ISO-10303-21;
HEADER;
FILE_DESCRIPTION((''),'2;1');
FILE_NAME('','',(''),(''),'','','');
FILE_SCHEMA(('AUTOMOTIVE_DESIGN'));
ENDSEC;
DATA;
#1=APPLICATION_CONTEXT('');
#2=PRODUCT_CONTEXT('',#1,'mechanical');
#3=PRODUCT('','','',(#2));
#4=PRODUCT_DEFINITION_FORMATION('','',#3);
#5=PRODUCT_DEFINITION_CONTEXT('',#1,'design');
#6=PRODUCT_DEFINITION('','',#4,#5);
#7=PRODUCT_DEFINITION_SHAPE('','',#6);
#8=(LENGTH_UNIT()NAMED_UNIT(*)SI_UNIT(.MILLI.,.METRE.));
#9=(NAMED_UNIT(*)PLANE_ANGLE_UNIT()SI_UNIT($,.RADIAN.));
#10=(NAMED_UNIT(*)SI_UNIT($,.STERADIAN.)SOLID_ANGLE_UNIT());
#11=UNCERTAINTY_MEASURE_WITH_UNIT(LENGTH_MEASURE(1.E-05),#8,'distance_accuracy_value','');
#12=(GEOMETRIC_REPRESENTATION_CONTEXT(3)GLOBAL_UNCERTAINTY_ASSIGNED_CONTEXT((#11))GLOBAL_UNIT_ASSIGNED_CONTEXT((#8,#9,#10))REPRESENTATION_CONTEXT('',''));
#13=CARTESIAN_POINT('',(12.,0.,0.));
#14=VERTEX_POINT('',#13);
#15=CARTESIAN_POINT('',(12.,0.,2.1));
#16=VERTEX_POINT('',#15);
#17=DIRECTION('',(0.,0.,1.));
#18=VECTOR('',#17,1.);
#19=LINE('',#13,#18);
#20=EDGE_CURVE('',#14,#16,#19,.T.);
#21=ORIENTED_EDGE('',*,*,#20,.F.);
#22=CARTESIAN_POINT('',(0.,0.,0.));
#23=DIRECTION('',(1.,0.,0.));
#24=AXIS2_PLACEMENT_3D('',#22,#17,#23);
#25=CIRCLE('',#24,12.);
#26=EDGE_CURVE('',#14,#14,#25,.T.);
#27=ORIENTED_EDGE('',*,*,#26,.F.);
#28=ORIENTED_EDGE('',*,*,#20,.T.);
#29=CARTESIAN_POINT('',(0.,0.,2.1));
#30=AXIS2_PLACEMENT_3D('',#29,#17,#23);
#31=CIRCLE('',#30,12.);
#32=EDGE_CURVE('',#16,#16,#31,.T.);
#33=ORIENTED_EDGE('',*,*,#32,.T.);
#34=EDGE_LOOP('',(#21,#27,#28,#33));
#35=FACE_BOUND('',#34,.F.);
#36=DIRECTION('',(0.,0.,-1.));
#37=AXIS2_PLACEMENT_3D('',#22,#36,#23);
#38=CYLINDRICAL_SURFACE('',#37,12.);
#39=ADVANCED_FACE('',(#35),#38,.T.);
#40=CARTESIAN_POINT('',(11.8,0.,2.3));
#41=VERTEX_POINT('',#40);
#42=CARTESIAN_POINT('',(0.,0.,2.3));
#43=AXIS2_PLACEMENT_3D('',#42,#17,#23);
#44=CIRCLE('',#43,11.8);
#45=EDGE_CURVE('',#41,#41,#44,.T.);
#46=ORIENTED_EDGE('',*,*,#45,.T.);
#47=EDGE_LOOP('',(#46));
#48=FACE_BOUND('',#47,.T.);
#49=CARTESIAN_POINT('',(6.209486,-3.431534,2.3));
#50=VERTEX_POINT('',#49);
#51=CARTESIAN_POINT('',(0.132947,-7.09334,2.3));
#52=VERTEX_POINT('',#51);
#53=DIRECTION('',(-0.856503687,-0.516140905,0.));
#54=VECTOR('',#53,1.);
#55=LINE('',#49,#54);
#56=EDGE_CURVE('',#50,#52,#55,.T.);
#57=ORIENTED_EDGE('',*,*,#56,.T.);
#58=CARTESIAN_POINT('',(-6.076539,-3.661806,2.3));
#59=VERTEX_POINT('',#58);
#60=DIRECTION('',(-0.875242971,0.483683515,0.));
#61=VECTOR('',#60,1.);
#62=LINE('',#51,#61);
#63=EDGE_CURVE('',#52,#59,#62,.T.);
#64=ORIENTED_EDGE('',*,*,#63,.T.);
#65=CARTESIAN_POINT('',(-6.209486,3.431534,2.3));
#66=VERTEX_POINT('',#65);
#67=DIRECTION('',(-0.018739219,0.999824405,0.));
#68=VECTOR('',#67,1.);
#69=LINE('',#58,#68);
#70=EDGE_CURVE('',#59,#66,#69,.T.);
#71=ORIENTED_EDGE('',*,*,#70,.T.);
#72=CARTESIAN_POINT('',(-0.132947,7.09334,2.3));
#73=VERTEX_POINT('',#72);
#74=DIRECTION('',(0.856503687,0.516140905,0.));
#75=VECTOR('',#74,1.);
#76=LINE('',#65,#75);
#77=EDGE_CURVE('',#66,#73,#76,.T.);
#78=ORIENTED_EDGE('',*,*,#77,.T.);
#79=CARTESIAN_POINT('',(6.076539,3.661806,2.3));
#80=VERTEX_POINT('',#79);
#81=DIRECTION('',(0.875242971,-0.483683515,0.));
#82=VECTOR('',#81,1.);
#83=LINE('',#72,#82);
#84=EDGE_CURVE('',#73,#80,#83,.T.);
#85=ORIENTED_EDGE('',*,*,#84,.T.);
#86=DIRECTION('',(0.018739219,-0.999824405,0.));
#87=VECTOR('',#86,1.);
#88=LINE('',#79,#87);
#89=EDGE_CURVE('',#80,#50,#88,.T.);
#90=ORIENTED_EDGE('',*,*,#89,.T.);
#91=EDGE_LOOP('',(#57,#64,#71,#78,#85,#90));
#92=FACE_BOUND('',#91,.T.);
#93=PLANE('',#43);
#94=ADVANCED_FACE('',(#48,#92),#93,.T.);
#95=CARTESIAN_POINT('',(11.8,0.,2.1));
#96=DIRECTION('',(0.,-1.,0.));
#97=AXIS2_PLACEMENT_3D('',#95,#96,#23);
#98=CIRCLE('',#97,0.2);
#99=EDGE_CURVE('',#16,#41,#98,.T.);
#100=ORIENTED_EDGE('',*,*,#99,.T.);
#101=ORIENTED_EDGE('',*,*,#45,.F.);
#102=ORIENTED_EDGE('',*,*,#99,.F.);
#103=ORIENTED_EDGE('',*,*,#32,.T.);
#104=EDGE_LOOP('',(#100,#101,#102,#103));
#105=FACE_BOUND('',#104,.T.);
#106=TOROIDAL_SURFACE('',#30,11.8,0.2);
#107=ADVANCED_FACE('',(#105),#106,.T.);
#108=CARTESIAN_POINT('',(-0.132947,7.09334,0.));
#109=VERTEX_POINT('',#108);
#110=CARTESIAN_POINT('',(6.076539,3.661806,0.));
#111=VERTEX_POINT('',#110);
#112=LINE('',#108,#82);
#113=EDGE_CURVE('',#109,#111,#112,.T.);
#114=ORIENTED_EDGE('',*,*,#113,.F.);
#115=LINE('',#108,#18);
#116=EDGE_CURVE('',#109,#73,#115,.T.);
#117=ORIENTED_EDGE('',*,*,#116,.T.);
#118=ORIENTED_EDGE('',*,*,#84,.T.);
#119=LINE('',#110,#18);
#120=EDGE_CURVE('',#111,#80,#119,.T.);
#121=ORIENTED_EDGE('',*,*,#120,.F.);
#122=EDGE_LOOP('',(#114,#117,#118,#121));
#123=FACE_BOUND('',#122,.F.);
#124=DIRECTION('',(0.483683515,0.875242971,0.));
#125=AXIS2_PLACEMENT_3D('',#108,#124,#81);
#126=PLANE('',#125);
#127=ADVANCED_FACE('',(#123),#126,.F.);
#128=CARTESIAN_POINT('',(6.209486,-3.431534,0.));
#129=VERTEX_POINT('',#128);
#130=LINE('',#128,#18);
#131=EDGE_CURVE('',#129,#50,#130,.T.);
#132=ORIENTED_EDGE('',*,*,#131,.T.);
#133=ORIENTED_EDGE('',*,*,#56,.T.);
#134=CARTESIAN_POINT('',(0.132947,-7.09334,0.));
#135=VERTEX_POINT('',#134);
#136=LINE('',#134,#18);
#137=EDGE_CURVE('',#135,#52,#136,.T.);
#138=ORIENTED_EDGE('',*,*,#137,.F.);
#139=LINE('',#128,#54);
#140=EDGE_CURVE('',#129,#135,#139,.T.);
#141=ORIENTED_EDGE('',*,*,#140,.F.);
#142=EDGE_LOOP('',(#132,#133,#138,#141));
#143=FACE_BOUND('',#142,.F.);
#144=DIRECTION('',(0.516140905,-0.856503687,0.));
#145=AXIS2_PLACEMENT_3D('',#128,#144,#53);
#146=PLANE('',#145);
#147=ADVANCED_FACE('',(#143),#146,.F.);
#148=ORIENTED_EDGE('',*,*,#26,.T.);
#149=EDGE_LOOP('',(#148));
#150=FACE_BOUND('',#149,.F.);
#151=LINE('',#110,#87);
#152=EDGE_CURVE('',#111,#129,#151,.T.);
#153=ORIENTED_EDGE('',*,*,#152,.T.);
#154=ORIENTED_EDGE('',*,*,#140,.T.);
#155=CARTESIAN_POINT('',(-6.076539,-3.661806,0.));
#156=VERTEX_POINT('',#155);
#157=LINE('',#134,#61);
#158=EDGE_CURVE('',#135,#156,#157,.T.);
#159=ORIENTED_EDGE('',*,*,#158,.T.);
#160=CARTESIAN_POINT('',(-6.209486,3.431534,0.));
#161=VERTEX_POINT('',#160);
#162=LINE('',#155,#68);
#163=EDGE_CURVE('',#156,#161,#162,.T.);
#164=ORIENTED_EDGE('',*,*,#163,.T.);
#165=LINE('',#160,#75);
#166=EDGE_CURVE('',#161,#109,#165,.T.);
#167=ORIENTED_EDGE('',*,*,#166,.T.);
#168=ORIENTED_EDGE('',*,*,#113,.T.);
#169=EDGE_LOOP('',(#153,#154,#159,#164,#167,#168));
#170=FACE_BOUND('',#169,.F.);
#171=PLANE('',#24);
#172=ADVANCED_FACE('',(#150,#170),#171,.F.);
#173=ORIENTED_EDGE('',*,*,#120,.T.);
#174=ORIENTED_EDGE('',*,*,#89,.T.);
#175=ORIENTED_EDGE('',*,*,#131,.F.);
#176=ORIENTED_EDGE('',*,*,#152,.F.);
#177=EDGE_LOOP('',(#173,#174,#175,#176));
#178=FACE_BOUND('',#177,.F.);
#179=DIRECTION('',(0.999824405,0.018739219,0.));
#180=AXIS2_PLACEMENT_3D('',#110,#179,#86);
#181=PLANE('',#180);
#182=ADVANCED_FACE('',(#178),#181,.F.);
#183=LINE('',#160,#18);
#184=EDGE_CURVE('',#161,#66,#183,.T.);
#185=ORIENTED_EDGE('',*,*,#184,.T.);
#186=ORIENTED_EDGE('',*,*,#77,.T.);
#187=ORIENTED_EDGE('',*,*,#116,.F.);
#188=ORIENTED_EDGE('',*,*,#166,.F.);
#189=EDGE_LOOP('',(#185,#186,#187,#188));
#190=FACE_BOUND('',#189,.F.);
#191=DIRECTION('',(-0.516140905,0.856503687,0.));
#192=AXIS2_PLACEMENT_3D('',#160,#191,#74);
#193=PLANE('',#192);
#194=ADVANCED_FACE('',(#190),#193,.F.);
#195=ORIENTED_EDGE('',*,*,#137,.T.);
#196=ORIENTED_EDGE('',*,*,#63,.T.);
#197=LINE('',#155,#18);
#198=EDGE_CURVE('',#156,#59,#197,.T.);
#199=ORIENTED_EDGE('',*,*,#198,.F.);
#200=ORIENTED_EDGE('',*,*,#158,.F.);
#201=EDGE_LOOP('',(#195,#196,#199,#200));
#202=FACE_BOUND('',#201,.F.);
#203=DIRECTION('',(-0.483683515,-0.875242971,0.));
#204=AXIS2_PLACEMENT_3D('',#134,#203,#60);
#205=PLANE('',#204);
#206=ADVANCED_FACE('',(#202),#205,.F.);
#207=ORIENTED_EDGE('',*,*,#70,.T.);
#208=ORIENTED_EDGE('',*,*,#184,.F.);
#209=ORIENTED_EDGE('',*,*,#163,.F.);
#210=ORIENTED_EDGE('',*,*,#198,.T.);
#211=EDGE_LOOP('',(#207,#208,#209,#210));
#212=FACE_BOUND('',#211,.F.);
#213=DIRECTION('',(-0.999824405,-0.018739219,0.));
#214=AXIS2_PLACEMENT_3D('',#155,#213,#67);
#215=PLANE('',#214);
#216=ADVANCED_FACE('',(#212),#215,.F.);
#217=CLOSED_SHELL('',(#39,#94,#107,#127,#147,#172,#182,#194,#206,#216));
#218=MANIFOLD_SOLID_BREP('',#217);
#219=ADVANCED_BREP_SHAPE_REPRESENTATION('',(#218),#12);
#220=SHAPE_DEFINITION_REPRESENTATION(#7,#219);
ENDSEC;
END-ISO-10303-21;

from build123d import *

# Parameters (mm, degrees)
F0_R     = 12
F1_DEPTH = 2.3
F2_R     = 0.2


with BuildPart() as f1:
    # F0 (on Top) → F1 (new body)
    with BuildSketch(Plane.XY):
        Circle(F0_R)
        Polygon((6.076539, 3.661806), (6.209486, -3.431534), (0.132947, -7.09334), (-6.076539, -3.661806), (-6.209486, 3.431534), (-0.132947, 7.09334), align=None, mode=Mode.SUBTRACT)
    extrude(amount=F1_DEPTH)

    # F2
    f2_edges = [f1.edges().sort_by_distance(p)[0] for p in [
        (-12, 0, 2.3),
    ]]
    fillet(f2_edges, radius=F2_R)


solid = f1.part
